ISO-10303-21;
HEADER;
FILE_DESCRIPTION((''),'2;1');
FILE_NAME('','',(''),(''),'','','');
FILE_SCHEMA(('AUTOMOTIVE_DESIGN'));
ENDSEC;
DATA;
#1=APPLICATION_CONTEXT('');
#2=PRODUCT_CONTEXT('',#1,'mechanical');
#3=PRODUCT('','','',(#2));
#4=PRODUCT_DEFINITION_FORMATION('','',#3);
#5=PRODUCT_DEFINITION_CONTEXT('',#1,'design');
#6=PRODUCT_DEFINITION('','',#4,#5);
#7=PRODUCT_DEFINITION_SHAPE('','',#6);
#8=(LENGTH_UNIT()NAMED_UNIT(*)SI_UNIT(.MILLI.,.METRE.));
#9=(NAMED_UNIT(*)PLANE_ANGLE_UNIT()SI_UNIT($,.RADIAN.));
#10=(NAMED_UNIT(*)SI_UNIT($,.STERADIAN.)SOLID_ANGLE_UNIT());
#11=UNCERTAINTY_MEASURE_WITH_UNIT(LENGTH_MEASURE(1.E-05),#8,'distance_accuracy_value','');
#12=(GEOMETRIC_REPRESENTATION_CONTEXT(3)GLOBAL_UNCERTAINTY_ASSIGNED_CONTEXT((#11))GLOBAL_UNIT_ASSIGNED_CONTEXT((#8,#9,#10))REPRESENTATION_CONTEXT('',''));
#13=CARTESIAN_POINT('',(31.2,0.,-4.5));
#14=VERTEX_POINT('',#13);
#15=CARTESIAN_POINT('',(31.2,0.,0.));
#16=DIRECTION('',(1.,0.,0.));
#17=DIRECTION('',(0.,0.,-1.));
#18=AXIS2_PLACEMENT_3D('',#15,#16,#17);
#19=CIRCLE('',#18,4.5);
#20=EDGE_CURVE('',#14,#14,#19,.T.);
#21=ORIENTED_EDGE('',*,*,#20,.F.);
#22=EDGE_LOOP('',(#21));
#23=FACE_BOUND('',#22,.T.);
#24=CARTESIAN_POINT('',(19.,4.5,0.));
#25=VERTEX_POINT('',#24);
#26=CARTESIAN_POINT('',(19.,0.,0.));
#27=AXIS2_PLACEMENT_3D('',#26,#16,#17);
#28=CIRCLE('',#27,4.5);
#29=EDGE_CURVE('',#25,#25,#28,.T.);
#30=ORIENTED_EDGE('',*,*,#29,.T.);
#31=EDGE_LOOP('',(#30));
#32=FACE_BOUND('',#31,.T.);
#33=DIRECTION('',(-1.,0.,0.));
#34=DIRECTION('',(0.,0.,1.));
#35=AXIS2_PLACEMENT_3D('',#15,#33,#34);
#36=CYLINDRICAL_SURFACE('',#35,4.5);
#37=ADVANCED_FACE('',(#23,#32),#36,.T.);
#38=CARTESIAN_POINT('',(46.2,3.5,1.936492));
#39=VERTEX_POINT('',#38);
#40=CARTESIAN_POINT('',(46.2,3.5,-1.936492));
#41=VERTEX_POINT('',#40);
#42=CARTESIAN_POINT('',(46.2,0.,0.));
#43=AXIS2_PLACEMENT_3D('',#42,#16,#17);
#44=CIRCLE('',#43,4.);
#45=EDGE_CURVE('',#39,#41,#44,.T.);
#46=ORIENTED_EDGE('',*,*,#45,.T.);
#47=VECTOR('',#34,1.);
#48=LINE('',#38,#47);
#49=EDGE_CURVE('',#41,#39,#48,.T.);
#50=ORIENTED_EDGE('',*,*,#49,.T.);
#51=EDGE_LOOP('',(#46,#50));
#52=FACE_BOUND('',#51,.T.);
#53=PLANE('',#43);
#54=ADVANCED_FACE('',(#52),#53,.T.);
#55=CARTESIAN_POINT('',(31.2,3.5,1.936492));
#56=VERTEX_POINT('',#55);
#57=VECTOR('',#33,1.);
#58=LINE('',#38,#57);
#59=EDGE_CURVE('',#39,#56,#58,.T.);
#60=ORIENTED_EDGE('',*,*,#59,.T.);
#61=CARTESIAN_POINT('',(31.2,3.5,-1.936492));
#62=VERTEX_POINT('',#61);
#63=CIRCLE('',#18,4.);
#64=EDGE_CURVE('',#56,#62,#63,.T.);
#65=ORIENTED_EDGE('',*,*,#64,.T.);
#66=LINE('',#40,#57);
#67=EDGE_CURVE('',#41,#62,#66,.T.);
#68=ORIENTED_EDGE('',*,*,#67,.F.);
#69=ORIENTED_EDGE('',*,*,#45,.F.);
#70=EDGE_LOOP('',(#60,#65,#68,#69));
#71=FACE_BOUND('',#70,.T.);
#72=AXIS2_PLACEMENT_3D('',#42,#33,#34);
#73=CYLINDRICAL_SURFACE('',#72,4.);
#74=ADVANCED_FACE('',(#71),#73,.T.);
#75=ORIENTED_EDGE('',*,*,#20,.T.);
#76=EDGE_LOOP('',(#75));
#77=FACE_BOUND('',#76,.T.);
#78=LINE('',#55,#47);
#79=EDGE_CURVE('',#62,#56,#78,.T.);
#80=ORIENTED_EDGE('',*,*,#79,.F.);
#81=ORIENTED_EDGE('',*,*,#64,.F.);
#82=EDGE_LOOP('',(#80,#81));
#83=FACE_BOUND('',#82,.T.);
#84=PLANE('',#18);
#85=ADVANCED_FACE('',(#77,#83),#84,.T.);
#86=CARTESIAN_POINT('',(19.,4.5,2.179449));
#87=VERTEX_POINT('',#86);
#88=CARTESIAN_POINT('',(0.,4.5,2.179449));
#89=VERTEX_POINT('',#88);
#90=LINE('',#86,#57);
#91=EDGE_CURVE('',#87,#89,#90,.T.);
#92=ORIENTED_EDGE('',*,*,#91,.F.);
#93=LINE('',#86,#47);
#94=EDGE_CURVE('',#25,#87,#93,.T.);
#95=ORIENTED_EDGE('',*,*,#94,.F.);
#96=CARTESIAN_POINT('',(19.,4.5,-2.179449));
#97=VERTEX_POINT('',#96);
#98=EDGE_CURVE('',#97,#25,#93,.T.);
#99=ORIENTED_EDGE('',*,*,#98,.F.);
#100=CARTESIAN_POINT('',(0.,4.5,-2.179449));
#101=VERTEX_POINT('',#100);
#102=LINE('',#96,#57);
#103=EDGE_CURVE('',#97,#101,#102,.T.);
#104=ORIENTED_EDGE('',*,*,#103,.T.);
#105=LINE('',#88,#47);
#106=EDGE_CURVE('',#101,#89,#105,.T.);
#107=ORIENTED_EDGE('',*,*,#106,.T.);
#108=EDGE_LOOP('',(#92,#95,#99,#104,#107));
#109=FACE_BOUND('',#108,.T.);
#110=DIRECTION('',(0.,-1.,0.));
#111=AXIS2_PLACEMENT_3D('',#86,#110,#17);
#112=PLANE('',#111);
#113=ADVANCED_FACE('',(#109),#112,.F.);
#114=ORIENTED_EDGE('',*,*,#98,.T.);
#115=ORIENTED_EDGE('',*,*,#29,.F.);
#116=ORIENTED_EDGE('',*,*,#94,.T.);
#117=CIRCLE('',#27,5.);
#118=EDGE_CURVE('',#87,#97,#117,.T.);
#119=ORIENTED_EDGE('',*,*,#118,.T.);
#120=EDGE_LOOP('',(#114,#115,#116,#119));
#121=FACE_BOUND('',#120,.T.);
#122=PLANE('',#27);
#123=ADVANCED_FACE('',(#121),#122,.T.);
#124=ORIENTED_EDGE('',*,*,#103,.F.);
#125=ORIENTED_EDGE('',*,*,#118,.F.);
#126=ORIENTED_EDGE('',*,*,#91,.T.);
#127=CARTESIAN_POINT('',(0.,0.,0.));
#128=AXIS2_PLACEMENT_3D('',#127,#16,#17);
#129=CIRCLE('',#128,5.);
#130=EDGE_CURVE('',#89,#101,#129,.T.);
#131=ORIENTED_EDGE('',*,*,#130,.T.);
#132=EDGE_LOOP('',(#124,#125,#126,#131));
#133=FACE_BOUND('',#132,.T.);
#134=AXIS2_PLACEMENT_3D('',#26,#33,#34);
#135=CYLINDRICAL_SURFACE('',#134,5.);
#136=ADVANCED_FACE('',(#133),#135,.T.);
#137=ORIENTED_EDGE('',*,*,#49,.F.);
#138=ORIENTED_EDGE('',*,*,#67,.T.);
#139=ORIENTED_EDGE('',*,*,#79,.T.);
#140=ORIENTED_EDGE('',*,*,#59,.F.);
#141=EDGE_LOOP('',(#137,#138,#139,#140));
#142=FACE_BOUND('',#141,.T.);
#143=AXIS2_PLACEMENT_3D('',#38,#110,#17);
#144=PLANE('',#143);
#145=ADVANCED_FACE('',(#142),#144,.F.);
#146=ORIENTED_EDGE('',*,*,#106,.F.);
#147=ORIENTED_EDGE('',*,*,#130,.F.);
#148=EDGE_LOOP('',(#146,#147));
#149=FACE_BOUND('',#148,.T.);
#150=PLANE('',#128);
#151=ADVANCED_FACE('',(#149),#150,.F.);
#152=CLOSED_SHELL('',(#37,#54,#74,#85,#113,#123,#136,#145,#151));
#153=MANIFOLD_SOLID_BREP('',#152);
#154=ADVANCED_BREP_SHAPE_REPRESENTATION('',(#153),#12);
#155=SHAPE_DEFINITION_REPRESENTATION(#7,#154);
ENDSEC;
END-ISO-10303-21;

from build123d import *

# Parameters (mm, degrees)
EXTRUDE_1_DEPTH = 19
SKETCH_2_R      = 4.5
EXTRUDE_2_DEPTH = 12.2
EXTRUDE_3_DEPTH = 15


with BuildPart() as part:
    # 草图1 → 拉伸1 (new body)
    with BuildSketch(Plane(origin=(0, 0, 0), x_dir=(0, 0, -1), z_dir=(1, 0, 0))):
        with BuildLine():
            Line((-2.179449472, 4.5), (2.179449472, 4.5))
            ThreePointArc((2.179449472, 4.5), (0, -5), (-2.179449472, 4.5))
        make_face()
    extrude(amount=EXTRUDE_1_DEPTH)

    # 草图2 → 拉伸2 (add)
    with BuildSketch(Plane(origin=(19, 0, 0), x_dir=(0, 0, -1), z_dir=(1, 0, 0))):
        with Locations(Location((0, 0, 0), (0, 0, 90))):
            Circle(SKETCH_2_R)
    extrude(amount=EXTRUDE_2_DEPTH)

    # 草图3 → 拉伸3 (add)
    with BuildSketch(Plane(origin=(31.2, 0, 0), x_dir=(0, 0, -1), z_dir=(1, 0, 0))):
        with BuildLine():
            Line((-1.936491673, 3.5), (1.936491673, 3.5))
            ThreePointArc((1.936491673, 3.5), (0, -4), (-1.936491673, 3.5))
        make_face()
    extrude(amount=EXTRUDE_3_DEPTH)


solid = part.part
